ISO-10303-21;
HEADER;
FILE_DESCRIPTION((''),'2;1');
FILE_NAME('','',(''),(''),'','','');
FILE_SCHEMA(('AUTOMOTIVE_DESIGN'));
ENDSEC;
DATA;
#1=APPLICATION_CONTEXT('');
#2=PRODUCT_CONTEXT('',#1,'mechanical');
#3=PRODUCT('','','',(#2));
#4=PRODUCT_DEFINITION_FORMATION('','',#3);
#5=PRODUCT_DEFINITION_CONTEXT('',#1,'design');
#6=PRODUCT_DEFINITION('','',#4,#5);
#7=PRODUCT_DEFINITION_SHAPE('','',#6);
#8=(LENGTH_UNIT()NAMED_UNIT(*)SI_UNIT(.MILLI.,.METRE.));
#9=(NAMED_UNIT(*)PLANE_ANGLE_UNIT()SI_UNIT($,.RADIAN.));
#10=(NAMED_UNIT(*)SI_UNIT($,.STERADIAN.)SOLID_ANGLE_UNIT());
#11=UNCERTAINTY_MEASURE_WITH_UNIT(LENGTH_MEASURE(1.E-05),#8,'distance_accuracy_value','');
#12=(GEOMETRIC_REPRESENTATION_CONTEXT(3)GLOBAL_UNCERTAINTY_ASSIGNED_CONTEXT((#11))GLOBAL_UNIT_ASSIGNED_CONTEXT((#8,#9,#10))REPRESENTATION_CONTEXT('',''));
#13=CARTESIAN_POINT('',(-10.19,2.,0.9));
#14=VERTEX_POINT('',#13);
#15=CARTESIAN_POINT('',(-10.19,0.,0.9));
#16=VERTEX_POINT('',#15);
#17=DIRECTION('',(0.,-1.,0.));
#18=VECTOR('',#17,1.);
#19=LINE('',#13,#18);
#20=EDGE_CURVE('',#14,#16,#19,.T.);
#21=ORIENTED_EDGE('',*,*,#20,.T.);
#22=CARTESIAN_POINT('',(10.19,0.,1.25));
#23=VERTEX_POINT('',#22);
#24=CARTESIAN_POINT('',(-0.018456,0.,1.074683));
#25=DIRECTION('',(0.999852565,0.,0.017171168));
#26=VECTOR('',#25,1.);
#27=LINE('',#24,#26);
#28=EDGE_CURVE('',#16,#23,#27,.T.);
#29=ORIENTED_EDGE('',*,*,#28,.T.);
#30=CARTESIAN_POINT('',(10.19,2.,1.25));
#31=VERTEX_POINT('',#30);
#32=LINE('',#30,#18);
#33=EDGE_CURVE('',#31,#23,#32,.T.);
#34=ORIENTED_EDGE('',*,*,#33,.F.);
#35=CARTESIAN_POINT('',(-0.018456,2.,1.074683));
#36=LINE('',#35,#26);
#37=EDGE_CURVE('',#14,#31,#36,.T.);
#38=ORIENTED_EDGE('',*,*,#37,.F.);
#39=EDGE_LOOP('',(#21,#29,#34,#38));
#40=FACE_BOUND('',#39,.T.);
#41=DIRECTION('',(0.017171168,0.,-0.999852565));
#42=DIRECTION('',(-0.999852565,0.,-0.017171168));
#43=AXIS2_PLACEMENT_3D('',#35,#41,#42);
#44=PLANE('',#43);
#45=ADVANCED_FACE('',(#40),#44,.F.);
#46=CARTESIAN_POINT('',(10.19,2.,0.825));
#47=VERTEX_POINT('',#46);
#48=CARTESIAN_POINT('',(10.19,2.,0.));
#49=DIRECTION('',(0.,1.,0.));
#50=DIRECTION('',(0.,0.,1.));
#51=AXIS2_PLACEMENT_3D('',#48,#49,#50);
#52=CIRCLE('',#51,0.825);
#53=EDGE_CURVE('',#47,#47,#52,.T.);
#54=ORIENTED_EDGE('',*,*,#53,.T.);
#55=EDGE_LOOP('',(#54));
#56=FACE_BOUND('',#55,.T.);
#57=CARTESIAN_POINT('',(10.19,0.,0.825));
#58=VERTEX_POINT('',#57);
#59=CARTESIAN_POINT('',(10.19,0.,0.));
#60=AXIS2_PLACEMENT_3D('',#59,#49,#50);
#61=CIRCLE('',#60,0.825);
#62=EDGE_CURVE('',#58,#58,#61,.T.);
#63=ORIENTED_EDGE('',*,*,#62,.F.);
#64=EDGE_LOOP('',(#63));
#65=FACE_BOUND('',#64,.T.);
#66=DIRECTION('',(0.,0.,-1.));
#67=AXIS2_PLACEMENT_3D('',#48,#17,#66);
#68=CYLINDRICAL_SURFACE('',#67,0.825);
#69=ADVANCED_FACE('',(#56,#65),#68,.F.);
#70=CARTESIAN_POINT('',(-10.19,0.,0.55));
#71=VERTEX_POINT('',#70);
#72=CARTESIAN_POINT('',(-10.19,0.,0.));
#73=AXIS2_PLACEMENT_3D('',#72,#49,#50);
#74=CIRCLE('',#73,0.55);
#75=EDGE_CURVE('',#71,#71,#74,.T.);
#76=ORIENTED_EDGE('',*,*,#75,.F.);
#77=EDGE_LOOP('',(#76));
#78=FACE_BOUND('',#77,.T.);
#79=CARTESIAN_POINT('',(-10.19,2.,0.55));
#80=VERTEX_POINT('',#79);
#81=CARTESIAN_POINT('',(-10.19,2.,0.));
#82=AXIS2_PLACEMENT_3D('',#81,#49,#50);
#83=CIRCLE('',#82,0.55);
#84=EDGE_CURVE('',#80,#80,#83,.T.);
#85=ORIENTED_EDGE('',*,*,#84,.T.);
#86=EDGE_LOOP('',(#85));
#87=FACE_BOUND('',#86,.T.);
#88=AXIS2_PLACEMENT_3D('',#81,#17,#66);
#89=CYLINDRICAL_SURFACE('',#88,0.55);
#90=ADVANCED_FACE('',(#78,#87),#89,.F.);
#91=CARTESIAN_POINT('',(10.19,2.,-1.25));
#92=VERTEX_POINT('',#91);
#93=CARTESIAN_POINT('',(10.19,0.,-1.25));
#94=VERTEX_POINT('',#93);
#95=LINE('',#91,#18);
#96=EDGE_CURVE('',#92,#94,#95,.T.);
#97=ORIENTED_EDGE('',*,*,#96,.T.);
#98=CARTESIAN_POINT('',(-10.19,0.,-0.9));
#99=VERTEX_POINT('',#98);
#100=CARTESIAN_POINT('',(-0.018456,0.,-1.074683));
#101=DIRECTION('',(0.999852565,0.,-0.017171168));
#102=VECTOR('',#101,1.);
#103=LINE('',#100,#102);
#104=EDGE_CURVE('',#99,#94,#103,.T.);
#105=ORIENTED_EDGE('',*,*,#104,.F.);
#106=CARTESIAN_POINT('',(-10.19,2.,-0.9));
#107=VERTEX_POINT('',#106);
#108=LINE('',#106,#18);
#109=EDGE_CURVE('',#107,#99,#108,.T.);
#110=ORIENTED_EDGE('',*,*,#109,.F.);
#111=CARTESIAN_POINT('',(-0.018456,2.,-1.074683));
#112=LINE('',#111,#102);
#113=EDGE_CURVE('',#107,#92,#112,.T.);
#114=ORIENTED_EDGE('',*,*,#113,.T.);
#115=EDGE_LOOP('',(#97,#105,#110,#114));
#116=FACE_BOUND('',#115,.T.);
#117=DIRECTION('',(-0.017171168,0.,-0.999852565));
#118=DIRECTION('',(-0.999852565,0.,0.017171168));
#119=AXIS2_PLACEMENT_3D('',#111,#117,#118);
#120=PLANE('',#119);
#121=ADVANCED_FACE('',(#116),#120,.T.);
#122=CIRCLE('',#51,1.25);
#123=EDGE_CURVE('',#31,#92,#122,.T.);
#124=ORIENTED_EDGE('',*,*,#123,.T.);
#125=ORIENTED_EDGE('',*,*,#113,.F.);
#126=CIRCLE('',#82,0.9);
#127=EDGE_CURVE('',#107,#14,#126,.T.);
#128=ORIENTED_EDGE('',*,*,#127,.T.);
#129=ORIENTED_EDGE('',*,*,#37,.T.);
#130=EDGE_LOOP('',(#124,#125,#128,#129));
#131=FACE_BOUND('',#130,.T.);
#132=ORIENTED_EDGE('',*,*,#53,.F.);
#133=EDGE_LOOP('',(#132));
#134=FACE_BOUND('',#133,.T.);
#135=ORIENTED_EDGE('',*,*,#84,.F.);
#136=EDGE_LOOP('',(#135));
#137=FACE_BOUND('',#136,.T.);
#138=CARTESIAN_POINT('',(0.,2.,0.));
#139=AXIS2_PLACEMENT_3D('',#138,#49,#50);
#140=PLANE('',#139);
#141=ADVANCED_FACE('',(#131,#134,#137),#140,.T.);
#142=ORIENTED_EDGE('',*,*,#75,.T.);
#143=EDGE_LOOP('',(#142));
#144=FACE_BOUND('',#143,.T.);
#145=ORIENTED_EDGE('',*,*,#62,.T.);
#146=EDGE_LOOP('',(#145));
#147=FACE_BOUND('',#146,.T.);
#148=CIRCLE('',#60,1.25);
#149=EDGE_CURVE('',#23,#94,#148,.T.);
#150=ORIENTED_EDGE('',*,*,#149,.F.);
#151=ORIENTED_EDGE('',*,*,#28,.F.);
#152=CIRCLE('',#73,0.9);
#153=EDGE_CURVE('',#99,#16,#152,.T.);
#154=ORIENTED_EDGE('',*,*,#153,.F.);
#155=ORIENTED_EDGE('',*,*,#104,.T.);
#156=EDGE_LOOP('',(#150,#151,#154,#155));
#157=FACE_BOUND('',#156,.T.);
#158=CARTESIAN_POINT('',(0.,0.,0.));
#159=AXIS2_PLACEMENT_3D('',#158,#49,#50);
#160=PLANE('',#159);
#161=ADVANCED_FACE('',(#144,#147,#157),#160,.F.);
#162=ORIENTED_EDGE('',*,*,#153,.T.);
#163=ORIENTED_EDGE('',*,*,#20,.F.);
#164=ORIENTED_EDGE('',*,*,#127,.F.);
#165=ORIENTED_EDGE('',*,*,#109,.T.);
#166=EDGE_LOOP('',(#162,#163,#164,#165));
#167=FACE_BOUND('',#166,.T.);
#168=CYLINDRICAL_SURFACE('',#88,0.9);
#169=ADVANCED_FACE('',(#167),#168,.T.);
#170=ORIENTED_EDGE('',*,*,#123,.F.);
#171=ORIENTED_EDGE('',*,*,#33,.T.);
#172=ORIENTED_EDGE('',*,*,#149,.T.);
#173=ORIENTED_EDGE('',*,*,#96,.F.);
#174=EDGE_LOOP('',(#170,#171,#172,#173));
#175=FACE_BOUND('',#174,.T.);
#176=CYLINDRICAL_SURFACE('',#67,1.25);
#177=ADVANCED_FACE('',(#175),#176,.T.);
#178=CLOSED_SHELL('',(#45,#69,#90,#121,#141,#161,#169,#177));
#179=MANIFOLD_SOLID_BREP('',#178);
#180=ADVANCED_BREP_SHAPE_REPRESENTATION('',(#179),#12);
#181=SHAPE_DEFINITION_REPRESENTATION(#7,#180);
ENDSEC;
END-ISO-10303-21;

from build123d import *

# Parameters (mm, degrees)
SKETCH1_R           = 0.55
SKETCH1_R_2         = 0.825
BOSS_EXTRUDE1_DEPTH = 2


with BuildPart() as part:
    # Sketch1 → Boss-Extrude1 (new body)
    with BuildSketch(Plane(origin=(0, 0, 0), x_dir=(1, 0, 0), z_dir=(0, 1, 0))):
        with BuildLine():
            Line((10.14707841, 1.249262877), (-10.19, 0.9))
            ThreePointArc((-10.19, 0.9), (-11.09, 0), (-10.19, -0.9))
            Line((-10.19, -0.9), (10.14707841, -1.249262877))
            Line((10.14707841, -1.249262877), (10.19, -1.25))
            ThreePointArc((10.19, -1.25), (11.44, 0), (10.19, 1.25))
            Line((10.19, 1.25), (10.14707841, 1.249262877))
        make_face()
        with Locations((-10.19, 0)):
            Circle(SKETCH1_R, mode=Mode.SUBTRACT)
        with Locations((10.19, 0)):
            Circle(SKETCH1_R_2, mode=Mode.SUBTRACT)
    extrude(amount=BOSS_EXTRUDE1_DEPTH)


solid = part.part
